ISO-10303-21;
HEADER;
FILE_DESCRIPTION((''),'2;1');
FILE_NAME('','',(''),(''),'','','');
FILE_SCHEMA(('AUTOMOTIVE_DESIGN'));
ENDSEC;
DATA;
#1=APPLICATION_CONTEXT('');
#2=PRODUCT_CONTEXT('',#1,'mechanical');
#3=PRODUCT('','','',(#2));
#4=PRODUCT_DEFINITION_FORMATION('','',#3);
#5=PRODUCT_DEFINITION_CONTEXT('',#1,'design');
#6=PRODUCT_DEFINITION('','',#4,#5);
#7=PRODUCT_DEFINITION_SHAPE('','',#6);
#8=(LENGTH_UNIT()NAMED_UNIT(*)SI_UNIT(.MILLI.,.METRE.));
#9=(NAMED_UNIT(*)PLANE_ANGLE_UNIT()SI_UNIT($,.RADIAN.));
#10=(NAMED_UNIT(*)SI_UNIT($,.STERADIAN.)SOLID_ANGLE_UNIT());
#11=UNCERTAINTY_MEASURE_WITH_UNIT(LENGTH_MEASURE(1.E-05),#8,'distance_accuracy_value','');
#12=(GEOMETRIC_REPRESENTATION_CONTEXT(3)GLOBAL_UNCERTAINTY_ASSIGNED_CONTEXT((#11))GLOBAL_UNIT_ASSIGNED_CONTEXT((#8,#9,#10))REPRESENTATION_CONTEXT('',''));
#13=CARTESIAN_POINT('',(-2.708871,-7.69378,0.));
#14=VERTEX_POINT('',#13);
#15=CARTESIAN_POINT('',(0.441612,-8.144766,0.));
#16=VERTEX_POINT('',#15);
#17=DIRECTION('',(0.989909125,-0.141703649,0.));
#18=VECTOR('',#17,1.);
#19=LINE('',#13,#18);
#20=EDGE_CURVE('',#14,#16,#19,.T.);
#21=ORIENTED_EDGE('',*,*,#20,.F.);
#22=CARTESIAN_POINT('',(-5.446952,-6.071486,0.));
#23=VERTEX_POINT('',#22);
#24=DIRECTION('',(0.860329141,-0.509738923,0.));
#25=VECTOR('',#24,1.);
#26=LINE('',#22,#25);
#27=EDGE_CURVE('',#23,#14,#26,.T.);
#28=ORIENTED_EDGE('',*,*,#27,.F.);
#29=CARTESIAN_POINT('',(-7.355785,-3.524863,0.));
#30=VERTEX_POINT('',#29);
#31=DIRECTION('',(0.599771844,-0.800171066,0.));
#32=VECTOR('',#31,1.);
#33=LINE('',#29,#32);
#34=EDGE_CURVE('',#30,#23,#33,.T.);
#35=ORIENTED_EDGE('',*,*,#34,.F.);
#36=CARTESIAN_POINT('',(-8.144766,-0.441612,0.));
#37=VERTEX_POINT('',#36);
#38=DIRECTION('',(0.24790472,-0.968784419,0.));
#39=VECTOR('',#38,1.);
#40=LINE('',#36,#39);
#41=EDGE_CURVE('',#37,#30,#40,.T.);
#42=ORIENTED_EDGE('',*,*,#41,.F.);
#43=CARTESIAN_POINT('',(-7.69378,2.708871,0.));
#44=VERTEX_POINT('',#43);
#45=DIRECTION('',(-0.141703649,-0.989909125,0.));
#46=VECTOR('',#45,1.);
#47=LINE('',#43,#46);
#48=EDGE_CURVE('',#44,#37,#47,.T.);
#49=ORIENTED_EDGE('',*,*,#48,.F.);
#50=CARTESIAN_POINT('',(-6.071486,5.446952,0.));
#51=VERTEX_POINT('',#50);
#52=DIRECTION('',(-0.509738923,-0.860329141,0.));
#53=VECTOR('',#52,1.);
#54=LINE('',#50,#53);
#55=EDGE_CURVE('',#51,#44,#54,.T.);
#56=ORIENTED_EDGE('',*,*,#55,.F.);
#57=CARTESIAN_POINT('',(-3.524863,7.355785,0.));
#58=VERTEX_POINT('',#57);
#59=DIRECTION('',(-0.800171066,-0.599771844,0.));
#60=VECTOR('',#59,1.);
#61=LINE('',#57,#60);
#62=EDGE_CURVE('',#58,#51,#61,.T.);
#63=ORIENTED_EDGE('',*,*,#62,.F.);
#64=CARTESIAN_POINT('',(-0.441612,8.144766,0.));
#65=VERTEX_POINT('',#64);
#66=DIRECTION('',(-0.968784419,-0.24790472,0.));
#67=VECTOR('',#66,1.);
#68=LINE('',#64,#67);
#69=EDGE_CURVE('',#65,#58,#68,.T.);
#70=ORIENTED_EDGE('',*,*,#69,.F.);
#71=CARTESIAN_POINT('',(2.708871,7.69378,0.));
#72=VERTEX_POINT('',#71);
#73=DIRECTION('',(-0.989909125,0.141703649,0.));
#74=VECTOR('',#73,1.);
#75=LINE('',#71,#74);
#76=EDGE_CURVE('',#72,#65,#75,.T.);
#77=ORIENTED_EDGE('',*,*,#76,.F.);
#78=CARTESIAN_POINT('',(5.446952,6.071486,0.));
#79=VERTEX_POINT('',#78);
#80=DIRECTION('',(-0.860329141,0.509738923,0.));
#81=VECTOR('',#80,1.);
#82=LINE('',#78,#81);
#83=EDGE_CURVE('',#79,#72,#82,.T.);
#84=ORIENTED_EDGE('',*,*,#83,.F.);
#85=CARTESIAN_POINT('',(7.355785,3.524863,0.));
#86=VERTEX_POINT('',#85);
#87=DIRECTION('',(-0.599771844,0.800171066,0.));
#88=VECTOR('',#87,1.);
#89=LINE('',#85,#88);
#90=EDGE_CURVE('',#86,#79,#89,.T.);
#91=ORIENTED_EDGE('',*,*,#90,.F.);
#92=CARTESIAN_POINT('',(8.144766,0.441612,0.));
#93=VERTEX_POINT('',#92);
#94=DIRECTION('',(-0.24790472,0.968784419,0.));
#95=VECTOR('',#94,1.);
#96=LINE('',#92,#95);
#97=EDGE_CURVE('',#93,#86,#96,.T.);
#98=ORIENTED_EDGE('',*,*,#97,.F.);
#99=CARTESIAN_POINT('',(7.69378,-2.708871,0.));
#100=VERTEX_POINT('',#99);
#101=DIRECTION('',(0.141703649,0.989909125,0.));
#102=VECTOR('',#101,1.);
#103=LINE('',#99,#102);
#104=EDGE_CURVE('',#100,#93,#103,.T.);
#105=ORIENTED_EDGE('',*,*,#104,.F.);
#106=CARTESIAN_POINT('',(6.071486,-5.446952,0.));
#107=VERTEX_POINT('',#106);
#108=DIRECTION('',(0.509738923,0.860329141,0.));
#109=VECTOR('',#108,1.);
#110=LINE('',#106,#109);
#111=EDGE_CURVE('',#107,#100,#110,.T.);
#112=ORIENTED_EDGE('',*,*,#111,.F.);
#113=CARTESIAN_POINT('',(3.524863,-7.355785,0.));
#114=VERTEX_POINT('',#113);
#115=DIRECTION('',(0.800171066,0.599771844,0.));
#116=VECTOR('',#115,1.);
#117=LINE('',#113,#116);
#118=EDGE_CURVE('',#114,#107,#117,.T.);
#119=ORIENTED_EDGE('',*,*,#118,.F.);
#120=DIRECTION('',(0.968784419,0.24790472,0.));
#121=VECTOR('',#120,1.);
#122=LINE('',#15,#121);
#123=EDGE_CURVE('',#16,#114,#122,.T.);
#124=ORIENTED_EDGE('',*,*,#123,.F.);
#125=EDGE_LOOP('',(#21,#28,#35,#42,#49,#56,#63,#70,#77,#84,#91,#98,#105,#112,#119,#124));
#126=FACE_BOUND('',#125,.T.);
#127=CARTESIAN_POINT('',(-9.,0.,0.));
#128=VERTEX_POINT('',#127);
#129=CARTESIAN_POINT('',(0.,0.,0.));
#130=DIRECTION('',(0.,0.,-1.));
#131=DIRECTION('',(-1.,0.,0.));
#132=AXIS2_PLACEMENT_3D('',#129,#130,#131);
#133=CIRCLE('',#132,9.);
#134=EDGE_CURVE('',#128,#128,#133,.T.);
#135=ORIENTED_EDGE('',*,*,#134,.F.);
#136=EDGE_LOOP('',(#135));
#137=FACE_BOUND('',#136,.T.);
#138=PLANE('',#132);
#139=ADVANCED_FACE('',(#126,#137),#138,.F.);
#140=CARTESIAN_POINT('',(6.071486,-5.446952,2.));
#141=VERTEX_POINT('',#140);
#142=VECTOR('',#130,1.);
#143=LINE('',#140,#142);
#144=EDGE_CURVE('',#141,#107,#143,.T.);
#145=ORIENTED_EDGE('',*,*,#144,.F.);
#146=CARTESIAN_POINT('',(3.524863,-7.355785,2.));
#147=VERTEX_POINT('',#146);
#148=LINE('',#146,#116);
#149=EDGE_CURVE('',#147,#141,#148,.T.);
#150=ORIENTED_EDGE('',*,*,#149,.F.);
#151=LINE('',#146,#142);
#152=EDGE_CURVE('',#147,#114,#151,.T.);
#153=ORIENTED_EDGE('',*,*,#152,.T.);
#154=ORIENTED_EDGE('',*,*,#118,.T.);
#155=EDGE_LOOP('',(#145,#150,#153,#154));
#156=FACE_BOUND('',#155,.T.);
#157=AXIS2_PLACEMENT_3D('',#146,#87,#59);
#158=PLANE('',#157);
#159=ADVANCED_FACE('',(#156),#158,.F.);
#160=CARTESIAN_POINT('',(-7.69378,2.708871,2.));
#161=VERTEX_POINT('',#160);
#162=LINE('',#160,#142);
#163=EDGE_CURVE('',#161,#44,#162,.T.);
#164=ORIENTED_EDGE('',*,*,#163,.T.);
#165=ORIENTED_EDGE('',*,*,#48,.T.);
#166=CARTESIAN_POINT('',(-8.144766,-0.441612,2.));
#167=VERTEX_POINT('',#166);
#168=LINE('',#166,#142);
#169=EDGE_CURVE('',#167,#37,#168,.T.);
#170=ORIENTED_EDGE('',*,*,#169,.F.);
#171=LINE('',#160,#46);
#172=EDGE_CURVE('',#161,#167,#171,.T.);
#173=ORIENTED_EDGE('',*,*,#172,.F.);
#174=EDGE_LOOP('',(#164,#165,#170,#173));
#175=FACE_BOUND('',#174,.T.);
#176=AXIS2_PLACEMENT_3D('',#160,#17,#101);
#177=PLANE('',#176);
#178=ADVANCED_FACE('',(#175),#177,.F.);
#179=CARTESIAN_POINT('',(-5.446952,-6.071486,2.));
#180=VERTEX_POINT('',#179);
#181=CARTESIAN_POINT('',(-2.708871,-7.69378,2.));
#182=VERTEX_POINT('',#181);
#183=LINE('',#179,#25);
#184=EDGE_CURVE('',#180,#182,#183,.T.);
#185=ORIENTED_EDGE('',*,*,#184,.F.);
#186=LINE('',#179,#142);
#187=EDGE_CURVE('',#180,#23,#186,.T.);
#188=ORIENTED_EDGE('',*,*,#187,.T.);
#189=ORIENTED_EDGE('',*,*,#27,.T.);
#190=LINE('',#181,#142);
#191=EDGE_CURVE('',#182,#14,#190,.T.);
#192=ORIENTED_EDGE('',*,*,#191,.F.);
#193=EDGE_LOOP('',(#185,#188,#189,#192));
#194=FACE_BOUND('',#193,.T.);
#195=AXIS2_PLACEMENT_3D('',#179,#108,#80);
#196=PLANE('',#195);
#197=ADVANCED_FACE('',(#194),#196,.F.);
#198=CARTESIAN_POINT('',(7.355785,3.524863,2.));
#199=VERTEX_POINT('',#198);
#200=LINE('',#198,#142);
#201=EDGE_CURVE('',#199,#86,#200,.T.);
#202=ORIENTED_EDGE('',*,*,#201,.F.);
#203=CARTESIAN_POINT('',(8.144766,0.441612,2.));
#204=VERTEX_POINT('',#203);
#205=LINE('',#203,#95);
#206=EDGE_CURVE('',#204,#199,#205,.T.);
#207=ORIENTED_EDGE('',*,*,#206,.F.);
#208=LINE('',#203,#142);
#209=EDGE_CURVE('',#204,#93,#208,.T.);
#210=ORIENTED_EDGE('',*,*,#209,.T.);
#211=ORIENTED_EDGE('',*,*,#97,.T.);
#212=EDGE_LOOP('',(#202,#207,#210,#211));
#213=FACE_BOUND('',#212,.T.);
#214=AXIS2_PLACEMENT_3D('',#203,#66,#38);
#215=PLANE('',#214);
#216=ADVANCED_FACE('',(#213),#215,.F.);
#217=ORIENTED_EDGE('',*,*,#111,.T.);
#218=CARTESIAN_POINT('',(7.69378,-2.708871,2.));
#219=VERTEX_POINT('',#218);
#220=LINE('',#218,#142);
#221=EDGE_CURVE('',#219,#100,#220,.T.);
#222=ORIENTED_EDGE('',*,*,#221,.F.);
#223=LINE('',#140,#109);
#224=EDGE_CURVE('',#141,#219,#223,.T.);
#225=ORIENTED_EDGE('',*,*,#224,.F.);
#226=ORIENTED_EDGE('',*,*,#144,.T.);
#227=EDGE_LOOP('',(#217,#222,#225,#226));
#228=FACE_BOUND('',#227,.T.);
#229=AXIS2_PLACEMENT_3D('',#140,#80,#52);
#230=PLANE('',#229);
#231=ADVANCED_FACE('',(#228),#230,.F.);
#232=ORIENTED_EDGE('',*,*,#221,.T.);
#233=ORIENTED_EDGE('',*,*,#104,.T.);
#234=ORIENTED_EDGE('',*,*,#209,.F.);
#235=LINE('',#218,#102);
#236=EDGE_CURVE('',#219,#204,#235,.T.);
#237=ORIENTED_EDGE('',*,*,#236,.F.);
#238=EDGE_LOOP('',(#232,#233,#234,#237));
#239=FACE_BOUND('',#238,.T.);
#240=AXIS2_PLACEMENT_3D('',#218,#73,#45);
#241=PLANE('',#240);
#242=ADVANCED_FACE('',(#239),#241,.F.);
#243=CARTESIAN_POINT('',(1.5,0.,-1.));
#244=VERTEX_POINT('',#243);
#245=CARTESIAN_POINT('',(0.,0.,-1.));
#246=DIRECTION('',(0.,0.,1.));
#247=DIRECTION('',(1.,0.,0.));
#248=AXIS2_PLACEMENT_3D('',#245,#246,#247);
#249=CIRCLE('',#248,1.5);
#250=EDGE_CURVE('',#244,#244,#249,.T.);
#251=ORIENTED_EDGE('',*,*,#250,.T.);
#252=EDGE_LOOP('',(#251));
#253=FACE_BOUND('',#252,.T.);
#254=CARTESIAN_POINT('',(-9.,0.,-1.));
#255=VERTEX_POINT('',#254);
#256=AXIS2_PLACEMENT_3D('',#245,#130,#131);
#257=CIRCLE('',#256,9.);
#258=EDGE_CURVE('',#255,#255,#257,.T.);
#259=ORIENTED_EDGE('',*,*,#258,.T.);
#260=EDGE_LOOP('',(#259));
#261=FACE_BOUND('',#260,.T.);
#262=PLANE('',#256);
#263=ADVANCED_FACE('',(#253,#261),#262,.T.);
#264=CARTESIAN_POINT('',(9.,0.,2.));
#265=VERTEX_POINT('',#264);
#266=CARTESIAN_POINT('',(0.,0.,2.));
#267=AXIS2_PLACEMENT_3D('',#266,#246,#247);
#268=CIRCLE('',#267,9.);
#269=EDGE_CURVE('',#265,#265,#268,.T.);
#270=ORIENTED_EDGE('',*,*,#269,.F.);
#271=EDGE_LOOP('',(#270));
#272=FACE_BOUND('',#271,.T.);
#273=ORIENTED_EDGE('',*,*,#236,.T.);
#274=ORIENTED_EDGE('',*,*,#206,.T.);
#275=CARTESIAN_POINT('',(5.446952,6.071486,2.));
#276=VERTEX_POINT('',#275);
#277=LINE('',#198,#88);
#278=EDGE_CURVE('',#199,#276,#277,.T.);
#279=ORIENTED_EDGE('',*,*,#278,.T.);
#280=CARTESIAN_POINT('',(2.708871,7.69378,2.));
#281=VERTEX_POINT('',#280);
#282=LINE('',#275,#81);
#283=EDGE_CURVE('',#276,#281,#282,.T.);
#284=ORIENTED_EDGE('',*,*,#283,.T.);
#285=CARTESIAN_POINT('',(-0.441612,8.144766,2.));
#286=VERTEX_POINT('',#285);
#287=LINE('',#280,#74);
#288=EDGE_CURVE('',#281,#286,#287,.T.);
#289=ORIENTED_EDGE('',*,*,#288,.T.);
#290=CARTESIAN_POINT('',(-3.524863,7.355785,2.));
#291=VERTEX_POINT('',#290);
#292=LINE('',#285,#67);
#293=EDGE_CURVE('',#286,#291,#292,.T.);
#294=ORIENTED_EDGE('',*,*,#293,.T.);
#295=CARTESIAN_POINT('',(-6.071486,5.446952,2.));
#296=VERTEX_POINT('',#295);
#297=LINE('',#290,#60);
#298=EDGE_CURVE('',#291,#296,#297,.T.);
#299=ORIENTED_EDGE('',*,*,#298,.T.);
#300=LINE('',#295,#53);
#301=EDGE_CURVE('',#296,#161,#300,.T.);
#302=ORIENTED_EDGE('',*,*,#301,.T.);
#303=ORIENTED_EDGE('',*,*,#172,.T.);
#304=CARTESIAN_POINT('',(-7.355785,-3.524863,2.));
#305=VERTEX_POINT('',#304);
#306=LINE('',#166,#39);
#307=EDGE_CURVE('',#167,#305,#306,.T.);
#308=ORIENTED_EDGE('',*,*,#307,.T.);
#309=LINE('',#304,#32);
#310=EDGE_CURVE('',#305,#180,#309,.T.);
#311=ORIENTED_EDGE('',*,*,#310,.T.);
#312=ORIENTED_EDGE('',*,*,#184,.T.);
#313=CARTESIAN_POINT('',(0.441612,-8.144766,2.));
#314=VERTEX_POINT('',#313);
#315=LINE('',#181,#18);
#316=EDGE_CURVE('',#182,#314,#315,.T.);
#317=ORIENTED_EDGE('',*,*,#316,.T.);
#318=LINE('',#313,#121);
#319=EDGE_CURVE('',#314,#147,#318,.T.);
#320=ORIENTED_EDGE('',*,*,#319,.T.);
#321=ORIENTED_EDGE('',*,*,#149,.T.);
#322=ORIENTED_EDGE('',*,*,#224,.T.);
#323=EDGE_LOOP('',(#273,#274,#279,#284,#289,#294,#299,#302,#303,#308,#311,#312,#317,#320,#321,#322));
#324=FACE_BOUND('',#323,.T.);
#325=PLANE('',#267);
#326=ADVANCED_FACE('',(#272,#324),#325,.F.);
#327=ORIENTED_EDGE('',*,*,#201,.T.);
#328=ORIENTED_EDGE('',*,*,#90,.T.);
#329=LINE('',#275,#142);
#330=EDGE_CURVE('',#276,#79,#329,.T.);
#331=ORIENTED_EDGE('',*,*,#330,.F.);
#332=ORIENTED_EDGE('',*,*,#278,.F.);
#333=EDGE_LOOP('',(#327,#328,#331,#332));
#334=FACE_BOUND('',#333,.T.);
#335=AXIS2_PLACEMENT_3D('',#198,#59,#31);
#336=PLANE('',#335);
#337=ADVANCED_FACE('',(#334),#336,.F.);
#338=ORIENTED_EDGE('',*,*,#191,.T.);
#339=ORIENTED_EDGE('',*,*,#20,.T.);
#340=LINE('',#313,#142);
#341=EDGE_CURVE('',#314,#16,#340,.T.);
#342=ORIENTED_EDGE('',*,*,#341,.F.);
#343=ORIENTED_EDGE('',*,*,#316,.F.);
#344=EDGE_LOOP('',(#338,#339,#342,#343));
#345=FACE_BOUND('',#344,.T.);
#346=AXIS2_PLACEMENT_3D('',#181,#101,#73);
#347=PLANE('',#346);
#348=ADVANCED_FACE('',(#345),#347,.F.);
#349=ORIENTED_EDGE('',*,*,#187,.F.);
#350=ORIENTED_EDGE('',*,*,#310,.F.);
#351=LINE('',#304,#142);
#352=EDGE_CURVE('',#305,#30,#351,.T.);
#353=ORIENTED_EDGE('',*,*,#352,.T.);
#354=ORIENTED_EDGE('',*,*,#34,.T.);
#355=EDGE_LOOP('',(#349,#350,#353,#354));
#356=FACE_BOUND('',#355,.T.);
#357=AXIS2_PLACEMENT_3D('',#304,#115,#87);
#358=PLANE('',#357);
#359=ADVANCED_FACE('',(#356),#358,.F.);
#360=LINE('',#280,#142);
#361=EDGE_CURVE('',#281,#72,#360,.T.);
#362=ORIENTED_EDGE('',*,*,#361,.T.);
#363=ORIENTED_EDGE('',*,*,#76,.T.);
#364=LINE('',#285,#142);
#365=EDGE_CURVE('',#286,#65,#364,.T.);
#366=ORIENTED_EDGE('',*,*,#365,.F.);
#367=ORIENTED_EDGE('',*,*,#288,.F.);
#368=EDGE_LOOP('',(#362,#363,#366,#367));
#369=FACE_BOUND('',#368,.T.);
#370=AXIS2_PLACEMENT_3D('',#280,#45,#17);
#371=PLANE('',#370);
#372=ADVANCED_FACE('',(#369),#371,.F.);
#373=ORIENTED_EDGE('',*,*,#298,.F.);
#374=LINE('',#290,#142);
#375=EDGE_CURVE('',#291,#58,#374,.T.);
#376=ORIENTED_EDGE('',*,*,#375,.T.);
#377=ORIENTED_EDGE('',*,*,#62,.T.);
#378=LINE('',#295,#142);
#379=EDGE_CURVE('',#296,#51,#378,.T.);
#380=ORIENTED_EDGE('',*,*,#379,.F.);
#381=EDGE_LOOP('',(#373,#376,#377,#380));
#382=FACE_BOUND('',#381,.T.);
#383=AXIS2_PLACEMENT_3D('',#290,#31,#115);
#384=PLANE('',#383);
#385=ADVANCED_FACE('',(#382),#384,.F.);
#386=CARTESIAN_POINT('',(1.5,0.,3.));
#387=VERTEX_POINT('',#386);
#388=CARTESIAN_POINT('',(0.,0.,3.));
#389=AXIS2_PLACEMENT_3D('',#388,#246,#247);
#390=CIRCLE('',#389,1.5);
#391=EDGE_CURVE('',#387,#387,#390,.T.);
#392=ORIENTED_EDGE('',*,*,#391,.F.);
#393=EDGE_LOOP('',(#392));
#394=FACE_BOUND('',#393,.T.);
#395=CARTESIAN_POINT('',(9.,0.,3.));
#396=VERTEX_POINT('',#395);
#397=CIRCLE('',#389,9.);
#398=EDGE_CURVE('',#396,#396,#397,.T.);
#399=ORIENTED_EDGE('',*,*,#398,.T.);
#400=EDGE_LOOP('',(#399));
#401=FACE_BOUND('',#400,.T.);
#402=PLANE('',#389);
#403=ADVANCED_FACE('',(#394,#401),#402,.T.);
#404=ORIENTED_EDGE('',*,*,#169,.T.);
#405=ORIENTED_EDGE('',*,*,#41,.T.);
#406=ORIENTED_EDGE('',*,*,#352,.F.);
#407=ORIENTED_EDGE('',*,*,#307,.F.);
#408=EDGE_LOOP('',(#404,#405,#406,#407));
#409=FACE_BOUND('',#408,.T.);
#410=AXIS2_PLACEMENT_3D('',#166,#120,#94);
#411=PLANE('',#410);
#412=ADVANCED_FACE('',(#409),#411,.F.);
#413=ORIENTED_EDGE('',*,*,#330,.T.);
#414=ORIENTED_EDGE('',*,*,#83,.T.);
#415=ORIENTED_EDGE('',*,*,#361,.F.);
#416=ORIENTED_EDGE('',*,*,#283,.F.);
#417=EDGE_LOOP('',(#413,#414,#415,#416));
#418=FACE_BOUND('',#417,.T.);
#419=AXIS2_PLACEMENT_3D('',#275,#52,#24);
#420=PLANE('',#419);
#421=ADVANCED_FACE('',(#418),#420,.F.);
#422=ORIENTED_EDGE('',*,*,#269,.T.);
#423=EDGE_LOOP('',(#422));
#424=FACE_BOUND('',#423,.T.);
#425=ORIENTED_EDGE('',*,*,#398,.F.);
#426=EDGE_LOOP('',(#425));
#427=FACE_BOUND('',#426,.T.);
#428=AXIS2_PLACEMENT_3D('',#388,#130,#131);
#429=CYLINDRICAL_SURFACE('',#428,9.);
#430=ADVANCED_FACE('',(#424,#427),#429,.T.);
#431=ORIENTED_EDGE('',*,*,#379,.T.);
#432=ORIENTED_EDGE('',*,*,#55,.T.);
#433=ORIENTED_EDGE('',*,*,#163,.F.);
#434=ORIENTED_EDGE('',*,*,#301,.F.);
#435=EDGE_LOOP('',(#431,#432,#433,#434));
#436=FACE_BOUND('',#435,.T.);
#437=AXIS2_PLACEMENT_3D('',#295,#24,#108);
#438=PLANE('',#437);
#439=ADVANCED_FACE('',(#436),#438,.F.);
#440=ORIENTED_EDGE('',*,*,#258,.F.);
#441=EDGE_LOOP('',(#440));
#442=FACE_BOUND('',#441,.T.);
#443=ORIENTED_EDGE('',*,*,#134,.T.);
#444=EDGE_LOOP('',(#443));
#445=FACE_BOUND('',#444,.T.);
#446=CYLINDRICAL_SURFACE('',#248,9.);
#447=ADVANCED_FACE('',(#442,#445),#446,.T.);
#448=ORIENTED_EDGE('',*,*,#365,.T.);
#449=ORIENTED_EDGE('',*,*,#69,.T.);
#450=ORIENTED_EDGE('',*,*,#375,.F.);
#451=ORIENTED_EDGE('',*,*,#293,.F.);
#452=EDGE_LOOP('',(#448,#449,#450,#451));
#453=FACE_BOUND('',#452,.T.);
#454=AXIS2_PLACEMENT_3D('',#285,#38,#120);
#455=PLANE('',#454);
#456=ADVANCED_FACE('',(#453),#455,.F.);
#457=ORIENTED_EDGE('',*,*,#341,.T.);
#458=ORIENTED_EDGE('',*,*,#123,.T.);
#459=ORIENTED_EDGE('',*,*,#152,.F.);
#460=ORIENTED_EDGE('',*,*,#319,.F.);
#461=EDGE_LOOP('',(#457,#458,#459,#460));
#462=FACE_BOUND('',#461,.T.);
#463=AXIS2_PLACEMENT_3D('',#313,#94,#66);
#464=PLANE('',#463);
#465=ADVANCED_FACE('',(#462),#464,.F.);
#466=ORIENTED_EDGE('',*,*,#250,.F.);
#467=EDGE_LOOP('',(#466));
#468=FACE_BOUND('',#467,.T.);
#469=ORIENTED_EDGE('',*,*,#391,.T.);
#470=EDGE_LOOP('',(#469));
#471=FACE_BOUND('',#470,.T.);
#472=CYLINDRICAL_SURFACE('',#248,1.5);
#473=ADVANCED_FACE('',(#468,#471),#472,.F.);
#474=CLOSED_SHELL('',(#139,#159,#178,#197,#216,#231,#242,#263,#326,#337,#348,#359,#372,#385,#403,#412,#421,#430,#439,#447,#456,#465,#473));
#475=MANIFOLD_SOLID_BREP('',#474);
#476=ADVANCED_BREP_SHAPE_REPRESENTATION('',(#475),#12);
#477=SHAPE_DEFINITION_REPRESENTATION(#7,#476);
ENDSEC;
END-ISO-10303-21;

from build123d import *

# Parameters (mm, degrees)
EXTRUDE_1_DEPTH     = 2
SKETCH_2_R          = 9
EXTRUDE_2_DEPTH     = 1
EXTRUDE_START       = 1
SKETCH_3_R          = 9
EXTRUDE_3_DEPTH     = 1
SKETCH_4_R          = 1.5
CUT_EXTRUDE_1_DEPTH = 14.341664064


with BuildPart() as part:
    # Эскиз1 → Бобышка-Вытянуть1 (new body)
    with BuildSketch(Plane.XY):
        Polygon((8.144765867, 0.441612145), (7.35578483, 3.52486338), (5.446952233, 6.071486118), (2.708870535, 7.693780133), (-0.441612145, 8.144765867), (-3.52486338, 7.35578483), (-6.071486118, 5.446952233), (-7.693780133, 2.708870535), (-8.144765867, -0.441612145), (-7.35578483, -3.52486338), (-5.446952233, -6.071486118), (-2.708870535, -7.693780133), (0.441612145, -8.144765867), (3.52486338, -7.35578483), (6.071486118, -5.446952233), (7.693780133, -2.708870535), align=None)
    extrude(amount=EXTRUDE_1_DEPTH)

    # Эскиз2 → Бобышка-Вытянуть2 (add)
    with BuildSketch(Plane(origin=(0, 0, 0), x_dir=(-1, 0, 0), z_dir=(0, 0, -1))):
        Circle(SKETCH_2_R)
    extrude(amount=EXTRUDE_2_DEPTH)

    # Эскиз3 → Бобышка-Вытянуть3 (add)
    with BuildSketch(Plane.XY.offset(2).offset(EXTRUDE_START)):
        with Locations(Location((0, 0, 0), (0, 0, 180))):
            Circle(SKETCH_3_R)
    extrude(amount=-EXTRUDE_3_DEPTH)

    # Эскиз4 → Вырез-Вытянуть1 (cut, through all)
    with BuildSketch(Plane.XY.offset(3)):
        Circle(SKETCH_4_R)
    extrude(amount=-CUT_EXTRUDE_1_DEPTH, mode=Mode.SUBTRACT)


solid = part.part
